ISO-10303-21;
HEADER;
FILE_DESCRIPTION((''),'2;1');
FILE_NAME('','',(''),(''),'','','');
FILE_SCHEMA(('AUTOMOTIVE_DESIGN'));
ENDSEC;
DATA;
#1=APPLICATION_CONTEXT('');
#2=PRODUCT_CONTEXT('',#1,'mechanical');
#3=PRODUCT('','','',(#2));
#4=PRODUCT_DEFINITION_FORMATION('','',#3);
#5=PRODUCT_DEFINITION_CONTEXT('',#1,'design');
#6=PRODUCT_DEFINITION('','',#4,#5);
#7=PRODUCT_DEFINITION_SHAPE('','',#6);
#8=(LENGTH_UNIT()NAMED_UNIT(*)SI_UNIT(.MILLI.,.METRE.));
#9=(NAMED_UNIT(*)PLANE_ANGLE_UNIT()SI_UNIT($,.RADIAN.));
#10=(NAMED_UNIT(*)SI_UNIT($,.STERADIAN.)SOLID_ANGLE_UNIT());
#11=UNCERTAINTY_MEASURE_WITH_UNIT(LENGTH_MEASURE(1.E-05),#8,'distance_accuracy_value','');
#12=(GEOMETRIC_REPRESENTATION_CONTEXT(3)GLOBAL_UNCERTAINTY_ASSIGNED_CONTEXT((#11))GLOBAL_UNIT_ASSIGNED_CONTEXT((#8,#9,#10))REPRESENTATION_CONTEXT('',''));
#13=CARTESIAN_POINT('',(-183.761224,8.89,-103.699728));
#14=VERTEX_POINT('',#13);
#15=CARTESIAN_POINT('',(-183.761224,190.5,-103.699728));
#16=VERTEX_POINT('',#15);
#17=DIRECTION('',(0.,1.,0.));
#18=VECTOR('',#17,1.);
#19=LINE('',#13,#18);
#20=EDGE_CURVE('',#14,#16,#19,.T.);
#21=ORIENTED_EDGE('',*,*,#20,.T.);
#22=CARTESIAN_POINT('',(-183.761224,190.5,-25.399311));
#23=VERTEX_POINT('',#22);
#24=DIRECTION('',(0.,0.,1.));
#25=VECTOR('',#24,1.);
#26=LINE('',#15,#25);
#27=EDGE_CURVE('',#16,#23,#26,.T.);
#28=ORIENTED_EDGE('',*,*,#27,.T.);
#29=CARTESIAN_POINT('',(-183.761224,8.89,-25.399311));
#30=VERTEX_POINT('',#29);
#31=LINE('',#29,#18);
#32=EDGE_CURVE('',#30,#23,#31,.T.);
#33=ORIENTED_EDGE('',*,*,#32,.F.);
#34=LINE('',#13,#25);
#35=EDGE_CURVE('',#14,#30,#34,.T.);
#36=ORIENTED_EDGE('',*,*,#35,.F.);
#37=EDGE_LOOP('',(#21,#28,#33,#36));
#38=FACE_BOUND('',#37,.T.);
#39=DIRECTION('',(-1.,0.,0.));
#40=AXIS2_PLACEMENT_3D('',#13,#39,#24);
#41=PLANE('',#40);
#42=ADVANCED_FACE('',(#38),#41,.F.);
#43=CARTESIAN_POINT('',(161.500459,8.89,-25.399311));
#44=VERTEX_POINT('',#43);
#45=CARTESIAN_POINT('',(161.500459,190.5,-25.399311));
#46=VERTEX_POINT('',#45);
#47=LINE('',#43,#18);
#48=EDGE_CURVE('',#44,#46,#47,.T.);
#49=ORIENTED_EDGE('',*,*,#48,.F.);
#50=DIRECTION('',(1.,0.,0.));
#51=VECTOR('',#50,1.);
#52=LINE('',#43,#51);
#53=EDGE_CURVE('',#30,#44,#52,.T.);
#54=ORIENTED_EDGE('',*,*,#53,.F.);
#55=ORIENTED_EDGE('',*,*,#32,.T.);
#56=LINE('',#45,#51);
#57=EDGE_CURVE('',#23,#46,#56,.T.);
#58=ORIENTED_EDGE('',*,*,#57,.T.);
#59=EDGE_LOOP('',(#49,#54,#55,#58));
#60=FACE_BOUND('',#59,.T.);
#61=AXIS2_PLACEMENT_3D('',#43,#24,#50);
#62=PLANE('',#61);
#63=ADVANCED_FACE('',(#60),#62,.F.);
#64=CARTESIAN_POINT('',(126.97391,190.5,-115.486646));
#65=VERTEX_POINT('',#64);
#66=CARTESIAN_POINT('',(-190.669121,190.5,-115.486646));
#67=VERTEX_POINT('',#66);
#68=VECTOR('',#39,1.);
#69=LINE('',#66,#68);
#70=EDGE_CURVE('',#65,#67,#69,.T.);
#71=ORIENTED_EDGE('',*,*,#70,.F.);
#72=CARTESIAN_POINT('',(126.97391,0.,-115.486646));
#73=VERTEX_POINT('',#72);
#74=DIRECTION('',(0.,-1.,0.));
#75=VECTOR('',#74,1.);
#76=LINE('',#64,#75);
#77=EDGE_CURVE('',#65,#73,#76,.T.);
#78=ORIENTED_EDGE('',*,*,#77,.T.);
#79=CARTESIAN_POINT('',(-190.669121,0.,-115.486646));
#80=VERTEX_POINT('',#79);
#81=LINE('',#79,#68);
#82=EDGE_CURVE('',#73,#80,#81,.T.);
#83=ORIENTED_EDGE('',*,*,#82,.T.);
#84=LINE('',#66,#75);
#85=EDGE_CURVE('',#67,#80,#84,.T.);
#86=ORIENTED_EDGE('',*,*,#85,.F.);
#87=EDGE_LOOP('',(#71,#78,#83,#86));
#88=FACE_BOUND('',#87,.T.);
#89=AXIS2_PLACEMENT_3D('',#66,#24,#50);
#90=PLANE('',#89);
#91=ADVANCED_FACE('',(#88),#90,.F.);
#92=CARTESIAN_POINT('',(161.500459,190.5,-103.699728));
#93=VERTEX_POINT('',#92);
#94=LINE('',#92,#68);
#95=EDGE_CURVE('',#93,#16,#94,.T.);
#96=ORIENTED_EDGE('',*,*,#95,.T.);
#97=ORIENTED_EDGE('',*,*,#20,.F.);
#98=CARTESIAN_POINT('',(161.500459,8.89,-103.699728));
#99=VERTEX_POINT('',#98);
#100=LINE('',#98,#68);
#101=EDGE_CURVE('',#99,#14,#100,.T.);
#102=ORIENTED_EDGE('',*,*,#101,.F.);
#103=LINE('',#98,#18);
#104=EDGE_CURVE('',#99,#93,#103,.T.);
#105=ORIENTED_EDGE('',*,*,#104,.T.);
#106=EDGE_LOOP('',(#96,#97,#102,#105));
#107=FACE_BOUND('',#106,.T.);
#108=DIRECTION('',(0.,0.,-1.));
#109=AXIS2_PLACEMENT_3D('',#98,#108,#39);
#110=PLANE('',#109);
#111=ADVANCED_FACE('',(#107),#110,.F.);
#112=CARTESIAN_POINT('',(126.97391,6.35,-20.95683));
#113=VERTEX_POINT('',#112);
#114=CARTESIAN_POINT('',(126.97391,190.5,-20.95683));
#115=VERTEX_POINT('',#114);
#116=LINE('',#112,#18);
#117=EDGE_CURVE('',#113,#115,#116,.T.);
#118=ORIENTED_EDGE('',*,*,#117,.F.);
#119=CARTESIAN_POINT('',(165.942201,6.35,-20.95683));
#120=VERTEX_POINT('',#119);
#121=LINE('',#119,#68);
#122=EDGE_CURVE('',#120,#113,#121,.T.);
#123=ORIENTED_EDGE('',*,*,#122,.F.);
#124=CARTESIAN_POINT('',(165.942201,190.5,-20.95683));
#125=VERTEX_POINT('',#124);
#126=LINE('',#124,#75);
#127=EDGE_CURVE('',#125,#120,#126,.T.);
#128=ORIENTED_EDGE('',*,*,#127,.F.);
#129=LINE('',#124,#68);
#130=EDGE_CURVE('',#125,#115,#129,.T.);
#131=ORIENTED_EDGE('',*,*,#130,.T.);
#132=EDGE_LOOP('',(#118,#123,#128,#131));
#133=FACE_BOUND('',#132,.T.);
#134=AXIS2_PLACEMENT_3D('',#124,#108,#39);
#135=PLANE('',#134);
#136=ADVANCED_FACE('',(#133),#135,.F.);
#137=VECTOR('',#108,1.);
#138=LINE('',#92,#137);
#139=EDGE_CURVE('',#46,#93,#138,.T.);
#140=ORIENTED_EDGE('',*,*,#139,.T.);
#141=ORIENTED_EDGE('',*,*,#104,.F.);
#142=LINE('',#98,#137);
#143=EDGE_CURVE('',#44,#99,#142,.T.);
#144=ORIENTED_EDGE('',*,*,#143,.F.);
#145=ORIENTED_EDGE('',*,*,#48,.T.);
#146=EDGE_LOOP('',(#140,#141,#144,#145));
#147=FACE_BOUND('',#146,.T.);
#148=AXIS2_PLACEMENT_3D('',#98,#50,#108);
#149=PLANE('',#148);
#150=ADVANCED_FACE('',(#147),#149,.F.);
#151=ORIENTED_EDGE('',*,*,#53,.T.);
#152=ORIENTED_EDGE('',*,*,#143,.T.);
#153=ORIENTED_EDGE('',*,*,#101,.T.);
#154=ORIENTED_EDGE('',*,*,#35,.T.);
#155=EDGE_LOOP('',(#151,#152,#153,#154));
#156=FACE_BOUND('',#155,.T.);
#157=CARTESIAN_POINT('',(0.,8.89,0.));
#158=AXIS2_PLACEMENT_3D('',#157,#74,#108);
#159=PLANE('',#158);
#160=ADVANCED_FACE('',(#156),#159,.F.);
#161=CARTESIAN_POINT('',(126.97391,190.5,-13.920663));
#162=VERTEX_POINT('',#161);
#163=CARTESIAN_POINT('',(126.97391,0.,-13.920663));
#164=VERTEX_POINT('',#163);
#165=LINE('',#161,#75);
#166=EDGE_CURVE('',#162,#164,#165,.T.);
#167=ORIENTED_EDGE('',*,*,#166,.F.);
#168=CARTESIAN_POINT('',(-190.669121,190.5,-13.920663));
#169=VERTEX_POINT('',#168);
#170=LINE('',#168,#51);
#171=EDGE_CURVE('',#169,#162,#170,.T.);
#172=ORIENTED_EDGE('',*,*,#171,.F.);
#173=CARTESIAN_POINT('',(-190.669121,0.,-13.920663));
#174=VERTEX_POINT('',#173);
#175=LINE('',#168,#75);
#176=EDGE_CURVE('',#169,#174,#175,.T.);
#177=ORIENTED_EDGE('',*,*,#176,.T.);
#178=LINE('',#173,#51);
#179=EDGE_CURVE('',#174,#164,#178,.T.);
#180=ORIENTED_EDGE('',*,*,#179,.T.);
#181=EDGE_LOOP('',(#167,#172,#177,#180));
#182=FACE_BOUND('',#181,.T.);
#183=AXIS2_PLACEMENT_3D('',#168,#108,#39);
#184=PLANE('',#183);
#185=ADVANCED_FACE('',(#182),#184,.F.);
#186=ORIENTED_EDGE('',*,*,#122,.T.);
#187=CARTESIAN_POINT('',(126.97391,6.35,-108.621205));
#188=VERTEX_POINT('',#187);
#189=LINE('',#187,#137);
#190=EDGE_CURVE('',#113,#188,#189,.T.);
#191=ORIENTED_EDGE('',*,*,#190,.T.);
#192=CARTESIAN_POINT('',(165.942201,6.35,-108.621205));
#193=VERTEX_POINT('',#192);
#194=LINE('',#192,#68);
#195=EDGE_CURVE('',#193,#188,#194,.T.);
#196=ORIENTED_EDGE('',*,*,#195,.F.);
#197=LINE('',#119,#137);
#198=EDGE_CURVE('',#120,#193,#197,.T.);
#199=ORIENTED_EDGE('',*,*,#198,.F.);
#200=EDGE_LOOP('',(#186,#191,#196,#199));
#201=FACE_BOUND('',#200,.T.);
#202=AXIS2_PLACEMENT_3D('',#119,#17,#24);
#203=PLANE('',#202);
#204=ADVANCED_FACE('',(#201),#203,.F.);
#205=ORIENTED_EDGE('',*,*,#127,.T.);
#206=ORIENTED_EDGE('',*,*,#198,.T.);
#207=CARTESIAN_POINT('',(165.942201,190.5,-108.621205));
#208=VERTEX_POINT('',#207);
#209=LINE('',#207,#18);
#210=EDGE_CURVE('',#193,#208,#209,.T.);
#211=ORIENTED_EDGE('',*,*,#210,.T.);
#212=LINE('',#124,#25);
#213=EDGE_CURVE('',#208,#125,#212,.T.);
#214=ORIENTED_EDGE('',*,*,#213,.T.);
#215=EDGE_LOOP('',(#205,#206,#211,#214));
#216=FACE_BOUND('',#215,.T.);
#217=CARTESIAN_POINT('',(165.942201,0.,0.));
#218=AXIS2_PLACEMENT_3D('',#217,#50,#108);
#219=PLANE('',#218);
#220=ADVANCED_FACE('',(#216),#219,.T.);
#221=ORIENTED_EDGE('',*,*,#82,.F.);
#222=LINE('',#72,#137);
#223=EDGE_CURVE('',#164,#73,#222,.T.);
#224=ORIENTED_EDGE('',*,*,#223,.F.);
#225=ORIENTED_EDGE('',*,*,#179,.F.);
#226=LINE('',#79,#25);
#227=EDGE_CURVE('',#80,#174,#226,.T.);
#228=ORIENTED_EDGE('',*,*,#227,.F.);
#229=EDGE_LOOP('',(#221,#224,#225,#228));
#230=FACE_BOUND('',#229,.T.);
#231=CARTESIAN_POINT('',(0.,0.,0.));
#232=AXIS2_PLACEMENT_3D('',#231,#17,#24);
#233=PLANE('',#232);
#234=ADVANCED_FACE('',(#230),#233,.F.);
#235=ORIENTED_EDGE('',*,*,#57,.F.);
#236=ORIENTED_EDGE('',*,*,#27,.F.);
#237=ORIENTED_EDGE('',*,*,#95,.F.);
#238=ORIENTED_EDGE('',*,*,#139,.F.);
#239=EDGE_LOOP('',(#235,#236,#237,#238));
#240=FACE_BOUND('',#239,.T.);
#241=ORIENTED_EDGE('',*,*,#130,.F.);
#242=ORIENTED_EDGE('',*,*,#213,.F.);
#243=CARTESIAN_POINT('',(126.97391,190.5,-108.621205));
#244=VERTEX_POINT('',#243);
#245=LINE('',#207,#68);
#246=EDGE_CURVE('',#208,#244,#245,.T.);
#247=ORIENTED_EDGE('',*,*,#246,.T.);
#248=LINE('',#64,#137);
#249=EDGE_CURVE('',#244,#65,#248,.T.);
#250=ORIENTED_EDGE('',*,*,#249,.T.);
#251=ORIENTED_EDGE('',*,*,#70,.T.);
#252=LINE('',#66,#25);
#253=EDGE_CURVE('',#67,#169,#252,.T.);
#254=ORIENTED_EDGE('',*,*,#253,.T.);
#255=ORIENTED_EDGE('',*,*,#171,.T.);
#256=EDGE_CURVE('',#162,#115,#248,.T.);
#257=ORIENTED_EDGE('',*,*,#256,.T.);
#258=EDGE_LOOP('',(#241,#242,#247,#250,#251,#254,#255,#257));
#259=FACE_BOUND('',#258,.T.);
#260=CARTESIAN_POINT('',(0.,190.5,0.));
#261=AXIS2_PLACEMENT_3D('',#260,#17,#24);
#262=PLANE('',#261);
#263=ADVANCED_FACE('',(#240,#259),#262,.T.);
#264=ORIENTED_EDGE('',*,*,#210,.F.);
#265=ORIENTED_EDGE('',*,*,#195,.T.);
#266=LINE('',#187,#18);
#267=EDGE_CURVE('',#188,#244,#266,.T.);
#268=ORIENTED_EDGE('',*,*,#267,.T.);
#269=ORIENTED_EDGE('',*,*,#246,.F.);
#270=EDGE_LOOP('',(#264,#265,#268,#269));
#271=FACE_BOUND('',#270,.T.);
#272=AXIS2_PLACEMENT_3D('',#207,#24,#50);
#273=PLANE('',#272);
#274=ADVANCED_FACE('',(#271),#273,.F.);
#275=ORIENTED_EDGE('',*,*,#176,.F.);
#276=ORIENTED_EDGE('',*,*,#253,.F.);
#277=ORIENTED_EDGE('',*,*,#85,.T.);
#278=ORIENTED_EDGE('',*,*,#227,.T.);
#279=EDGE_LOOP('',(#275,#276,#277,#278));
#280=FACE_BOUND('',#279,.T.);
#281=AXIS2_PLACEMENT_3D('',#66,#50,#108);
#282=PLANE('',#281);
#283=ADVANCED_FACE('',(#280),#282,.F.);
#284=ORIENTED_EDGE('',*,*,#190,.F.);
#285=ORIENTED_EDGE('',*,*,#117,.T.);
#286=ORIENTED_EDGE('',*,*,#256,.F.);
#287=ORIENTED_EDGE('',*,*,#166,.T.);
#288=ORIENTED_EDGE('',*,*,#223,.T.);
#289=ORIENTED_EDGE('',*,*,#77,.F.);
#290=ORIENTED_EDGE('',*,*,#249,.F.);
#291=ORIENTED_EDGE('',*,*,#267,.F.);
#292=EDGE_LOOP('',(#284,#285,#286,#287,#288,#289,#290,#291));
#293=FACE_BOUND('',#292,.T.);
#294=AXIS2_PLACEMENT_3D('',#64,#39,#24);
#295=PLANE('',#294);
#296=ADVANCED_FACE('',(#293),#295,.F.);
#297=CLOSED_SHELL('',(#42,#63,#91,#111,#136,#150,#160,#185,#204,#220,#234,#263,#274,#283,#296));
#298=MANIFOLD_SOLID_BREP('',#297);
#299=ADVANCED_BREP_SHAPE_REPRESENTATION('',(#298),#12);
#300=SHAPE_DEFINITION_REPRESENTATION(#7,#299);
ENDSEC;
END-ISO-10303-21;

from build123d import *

# Parameters (mm, degrees)
SKETCH5_W           = 317.643030656
SKETCH5_H           = 101.565982789
BOSS_EXTRUDE3_DEPTH = 190.5
SKETCH11_W          = 310.281709158
SKETCH11_H          = 87.664375102
CUT_EXTRUDE2_DEPTH  = 184.15
SKETCH14_W          = 87.664375102
SKETCH14_H          = 184.15
BOSS_EXTRUDE5_DEPTH = 349.25
SKETCH18_W          = 345.261683736
SKETCH18_H          = 78.300417561
CUT_EXTRUDE3_DEPTH  = 181.61


with BuildPart() as part:
    # Sketch5 → Boss-Extrude3 (new body)
    with BuildSketch(Plane(origin=(0, 0, 0), x_dir=(1, 0, 0), z_dir=(0, 1, 0))):
        with Locations((-31.847605324, 64.703654394)):
            Rectangle(SKETCH5_W, SKETCH5_H)
    extrude(amount=BOSS_EXTRUDE3_DEPTH)

    # Sketch11 → Cut-Extrude2 (cut)
    with BuildSketch(Plane(origin=(0, 190.5, 0), x_dir=(1, 0, 0), z_dir=(0, 1, 0))):
        with Locations((-28.166944575, 64.789017072)):
            Rectangle(SKETCH11_W, SKETCH11_H)
    extrude(amount=-CUT_EXTRUDE2_DEPTH, mode=Mode.SUBTRACT)

    # Sketch14 → Boss-Extrude5 (add)
    with BuildSketch(Plane(origin=(-183.307799154, 0, 0), x_dir=(0, 0, -1), z_dir=(1, 0, 0))):
        with Locations((64.789017072, 98.425)):
            Rectangle(SKETCH14_W, SKETCH14_H)
    extrude(amount=BOSS_EXTRUDE5_DEPTH)

    # Sketch18 → Cut-Extrude3 (cut)
    with BuildSketch(Plane(origin=(0, 190.5, 0), x_dir=(1, 0, 0), z_dir=(0, 1, 0))):
        with Locations((-11.130382461, 64.549519714)):
            Rectangle(SKETCH18_W, SKETCH18_H)
    extrude(amount=-CUT_EXTRUDE3_DEPTH, mode=Mode.SUBTRACT)


solid = part.part
